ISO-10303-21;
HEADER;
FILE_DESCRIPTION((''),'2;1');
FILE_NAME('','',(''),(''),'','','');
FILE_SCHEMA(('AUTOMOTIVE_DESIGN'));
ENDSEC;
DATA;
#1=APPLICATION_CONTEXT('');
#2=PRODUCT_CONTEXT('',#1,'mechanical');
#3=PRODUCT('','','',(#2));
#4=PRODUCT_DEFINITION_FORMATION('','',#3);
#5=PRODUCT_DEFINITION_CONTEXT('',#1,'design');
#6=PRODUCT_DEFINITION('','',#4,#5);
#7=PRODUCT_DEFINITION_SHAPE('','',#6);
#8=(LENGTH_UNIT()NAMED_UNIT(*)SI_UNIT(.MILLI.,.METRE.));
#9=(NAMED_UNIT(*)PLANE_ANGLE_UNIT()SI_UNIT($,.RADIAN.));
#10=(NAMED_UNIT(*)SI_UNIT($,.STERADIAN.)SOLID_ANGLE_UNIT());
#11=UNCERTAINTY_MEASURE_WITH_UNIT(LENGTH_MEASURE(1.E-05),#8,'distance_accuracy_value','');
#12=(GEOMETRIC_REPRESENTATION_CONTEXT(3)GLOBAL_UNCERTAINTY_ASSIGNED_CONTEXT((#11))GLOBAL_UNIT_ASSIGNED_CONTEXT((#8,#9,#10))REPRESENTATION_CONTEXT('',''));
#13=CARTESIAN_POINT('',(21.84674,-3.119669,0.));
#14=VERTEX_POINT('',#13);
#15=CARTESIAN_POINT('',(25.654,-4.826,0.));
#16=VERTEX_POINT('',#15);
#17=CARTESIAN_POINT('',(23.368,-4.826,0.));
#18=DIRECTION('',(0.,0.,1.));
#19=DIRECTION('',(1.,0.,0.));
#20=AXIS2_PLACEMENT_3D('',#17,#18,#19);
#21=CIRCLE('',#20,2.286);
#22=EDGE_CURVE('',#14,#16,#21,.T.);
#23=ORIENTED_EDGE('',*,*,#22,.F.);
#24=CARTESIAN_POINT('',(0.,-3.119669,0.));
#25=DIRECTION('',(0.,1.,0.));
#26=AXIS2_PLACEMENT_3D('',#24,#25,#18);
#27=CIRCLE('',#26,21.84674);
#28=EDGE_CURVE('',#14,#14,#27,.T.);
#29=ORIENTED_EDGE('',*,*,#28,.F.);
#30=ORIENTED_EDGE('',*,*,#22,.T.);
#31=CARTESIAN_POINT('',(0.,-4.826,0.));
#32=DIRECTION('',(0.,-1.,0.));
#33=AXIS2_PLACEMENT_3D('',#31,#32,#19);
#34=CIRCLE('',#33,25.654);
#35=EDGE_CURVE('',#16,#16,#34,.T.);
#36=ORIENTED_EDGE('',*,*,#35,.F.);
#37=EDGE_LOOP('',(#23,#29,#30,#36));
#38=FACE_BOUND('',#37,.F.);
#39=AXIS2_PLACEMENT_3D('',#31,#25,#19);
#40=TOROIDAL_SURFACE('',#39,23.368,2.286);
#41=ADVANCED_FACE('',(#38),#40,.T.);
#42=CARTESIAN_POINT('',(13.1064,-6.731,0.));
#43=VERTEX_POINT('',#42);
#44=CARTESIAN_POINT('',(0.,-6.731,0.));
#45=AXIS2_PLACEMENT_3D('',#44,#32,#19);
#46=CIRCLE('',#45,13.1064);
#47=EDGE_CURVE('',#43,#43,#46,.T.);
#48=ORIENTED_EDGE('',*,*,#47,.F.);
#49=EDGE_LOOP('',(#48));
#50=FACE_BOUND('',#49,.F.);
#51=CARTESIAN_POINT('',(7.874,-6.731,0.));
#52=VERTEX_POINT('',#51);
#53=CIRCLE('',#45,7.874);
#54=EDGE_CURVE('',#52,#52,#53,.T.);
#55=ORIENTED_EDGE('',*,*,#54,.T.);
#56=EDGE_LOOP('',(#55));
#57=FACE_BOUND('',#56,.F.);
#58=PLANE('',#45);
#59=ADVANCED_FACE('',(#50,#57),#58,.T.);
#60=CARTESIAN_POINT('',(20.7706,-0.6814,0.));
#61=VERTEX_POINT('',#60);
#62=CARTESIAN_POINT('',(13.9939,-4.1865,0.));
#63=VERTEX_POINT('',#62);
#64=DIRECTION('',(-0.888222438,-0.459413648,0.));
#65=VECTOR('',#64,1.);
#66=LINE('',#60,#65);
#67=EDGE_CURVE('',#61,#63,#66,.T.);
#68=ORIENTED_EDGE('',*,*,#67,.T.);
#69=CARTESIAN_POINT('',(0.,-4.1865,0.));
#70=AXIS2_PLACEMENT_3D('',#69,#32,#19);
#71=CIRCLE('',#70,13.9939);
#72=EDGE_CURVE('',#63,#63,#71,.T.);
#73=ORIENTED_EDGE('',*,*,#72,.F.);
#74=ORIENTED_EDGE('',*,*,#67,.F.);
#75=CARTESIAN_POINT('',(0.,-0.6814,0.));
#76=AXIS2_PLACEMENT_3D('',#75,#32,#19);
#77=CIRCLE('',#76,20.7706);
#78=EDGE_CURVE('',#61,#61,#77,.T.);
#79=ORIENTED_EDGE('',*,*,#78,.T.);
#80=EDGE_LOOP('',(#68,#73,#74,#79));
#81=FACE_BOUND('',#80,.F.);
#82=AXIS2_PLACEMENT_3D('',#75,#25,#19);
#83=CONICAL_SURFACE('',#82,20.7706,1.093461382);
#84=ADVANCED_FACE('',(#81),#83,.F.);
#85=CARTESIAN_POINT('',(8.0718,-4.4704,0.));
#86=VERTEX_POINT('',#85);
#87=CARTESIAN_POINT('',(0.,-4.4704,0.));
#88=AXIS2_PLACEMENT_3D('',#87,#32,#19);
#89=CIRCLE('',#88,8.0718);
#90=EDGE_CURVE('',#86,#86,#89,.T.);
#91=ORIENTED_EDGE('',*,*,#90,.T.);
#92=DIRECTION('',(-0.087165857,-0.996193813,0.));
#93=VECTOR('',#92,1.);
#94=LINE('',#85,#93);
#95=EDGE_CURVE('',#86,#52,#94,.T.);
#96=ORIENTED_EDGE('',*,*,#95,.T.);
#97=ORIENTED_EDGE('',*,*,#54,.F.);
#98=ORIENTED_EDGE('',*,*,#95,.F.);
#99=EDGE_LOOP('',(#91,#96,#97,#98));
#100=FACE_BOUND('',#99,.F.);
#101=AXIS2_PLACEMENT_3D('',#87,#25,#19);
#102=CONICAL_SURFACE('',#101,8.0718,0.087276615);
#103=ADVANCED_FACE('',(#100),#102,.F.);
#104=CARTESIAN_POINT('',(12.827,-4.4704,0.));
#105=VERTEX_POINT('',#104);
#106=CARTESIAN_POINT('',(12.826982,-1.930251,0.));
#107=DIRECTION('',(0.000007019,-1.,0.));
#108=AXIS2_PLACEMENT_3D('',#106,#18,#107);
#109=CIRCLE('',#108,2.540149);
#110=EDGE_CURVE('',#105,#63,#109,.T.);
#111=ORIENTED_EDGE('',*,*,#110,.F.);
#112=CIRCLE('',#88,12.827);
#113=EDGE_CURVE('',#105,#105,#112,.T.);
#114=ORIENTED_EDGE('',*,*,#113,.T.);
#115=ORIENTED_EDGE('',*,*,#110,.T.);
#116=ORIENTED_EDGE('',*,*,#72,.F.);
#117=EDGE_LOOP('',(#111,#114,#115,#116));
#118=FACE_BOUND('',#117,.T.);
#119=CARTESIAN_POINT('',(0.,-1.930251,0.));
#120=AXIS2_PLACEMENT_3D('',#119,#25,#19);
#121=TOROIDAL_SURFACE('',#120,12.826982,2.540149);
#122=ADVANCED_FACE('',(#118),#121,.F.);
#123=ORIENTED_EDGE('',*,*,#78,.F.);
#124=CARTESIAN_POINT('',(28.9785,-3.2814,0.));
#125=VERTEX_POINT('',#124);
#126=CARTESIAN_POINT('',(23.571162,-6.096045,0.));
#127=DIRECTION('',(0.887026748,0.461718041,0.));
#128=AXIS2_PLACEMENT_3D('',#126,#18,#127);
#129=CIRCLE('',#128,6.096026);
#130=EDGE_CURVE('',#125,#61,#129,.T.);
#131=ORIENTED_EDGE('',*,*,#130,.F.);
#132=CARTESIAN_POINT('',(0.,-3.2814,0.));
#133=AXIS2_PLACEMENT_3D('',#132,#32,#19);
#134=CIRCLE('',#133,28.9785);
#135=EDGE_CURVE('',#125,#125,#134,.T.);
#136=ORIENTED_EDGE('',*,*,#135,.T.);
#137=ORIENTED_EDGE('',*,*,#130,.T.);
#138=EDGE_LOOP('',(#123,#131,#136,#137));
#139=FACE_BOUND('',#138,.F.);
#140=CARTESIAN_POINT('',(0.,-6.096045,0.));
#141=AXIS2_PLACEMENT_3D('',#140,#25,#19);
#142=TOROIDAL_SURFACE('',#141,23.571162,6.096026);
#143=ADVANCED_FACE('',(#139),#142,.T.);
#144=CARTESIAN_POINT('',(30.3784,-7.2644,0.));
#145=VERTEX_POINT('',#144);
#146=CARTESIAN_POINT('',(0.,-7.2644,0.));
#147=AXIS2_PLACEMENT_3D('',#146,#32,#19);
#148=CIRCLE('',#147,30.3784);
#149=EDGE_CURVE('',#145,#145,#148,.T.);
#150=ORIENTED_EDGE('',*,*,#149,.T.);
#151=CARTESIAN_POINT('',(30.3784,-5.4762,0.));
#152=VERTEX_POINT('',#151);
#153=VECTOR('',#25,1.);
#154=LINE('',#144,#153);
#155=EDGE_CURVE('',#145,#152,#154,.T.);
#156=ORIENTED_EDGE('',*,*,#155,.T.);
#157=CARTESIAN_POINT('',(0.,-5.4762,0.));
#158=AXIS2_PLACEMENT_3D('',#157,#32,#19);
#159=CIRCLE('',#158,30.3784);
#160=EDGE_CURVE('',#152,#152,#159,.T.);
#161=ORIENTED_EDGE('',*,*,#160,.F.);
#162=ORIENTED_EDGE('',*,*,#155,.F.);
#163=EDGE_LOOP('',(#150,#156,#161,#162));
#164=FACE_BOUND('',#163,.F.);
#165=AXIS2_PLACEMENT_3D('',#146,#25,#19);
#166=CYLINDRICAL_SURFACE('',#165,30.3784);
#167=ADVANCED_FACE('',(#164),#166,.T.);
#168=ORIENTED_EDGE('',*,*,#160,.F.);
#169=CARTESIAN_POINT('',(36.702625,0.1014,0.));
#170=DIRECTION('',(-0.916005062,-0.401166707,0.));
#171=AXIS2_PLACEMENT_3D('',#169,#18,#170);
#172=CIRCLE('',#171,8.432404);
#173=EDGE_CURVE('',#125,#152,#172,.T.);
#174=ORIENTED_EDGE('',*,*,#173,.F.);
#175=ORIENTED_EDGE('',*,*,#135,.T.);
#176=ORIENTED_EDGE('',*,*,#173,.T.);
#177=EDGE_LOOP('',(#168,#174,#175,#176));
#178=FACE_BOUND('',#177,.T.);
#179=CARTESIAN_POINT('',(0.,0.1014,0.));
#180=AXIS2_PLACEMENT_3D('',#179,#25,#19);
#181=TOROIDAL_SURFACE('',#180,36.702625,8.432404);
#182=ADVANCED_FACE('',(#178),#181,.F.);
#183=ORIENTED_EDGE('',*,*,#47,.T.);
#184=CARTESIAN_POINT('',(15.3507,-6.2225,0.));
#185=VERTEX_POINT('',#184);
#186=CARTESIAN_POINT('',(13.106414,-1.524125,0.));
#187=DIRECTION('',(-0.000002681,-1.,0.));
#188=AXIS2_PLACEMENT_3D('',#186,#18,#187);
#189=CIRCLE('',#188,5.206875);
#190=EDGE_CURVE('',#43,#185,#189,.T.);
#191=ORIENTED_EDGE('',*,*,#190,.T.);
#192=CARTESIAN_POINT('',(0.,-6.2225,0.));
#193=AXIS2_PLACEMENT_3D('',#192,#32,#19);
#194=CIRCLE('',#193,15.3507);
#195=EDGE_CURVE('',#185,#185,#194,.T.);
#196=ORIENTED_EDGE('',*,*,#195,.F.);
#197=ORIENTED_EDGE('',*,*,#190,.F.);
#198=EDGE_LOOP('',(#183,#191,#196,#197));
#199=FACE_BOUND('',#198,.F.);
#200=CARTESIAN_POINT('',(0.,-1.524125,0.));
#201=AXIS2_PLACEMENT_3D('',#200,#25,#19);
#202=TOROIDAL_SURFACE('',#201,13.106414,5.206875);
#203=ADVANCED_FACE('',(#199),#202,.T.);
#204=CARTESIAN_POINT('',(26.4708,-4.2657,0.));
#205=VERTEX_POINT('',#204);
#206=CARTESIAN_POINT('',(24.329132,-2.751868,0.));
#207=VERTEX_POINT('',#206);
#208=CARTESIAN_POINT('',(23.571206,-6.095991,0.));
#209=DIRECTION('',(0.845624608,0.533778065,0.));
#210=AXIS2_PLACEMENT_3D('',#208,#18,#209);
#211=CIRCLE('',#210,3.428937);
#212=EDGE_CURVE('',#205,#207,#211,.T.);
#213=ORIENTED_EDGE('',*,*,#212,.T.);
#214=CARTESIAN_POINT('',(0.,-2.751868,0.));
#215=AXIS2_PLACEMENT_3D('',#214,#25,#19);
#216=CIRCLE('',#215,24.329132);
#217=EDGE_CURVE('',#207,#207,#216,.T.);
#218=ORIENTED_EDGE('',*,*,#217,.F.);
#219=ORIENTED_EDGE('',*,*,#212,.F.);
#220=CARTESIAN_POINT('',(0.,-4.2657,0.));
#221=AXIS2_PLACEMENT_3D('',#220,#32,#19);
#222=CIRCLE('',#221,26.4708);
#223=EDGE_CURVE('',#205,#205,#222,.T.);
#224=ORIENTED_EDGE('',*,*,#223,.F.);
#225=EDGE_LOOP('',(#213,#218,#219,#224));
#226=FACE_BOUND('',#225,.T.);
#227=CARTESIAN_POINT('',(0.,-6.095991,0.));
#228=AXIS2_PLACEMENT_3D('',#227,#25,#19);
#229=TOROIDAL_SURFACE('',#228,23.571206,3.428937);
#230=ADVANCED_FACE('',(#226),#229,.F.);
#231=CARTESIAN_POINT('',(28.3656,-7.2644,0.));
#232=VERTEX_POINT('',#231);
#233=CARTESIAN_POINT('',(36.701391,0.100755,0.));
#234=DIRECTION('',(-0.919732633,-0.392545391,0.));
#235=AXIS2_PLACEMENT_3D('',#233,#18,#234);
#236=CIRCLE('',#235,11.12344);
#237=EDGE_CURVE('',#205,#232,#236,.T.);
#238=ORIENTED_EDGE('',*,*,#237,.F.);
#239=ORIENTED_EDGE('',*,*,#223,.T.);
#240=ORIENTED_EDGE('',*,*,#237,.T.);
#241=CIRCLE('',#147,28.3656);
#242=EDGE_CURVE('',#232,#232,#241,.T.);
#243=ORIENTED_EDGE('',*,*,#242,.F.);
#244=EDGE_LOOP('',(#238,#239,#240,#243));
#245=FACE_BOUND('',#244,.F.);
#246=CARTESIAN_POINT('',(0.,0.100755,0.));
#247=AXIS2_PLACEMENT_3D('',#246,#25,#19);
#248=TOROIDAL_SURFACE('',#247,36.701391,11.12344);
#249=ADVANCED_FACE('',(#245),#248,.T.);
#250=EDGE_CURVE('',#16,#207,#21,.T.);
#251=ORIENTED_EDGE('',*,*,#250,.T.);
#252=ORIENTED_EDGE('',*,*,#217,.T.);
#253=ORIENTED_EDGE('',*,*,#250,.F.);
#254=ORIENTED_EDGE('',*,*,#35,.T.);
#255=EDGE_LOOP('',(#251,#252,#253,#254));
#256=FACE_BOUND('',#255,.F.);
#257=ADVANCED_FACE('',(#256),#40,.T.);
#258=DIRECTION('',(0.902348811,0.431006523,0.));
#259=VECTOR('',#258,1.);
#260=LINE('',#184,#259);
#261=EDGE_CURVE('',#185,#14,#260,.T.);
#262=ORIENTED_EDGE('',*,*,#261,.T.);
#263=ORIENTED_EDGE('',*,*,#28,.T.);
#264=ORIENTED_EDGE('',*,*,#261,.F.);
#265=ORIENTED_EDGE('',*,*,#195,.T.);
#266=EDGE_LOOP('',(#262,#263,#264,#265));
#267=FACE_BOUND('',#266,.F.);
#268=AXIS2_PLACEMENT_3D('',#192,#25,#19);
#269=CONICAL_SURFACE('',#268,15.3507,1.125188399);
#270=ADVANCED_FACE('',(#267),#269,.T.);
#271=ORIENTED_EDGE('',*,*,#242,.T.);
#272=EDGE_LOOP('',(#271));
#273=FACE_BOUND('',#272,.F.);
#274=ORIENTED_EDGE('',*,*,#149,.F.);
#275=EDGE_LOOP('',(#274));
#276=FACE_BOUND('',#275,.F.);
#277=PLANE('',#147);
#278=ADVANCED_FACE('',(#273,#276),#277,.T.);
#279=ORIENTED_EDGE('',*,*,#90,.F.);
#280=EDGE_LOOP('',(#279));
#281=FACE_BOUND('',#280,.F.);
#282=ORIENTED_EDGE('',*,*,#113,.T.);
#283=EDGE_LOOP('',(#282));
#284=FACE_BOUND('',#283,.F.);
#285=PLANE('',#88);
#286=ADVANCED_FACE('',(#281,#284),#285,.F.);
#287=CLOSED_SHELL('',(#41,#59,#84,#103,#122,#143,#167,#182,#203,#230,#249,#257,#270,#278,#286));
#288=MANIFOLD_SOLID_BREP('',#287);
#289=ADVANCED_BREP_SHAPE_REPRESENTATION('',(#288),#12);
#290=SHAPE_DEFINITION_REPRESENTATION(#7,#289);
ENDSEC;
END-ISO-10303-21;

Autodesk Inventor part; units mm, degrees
sketch "Sketch_1" plane through (0, 0, 0) normal (0, 0, 1) x (1, 0, 0)
  line L0 (0, -6.731) -> (0, 0)
  line L1 (7.874, -6.731) -> (13.1064, -6.731)
  arc A0 (13.1064, -6.731) -> (15.3507, -6.2225) centre (13.1064, -1.524) ccw
  line L2 (15.3507, -6.2225) -> (22.0933, -3.0019)
  arc A1 (26.4708, -4.2657) -> (22.0933, -3.0019) centre (23.5712, -6.096) ccw
  arc A2 (26.4708, -4.2657) -> (28.3656, -7.2644) centre (36.703, 0.1016) ccw
  line L3 (28.3656, -7.2644) -> (30.3784, -7.2644)
  line L4 (30.3784, -7.2644) -> (30.3784, -5.4762)
  arc A3 (28.9785, -3.2814) -> (30.3784, -5.4762) centre (36.703, 0.1016) ccw
  arc A4 (28.9785, -3.2814) -> (20.7706, -0.6814) centre (23.5712, -6.096) ccw
  line L5 (20.7706, -0.6814) -> (13.9939, -4.1865)
  arc A5 (12.827, -4.4704) -> (13.9939, -4.1865) centre (12.827, -1.9304) ccw
  line L6 (12.827, -4.4704) -> (8.0718, -4.4704)
  line L7 (8.0718, -4.4704) -> (7.874, -6.731)
revolve "Revolution1" add sketch "Sketch_1" angle 360 about axis through (0, -6.731, 0) along (0, -1, 0)
sketch "Sketch_2" plane through (0, 0, 0) normal (0, 0, 1) x (1, 0, 0)
  line L0 (0, -12.7) -> (0, 12.7)
  circle A0 centre (23.368, -4.826) radius 2.286
revolve "Revolution2" add sketch "Sketch_2" angle 360 about axis through (0, -12.7, 0) along (0, -1, 0)
ref_plane "to_top_plate_XY" through (0, 0, 0) normal (0, -1, 0) x (1, 0, 0)
ref_plane "to_top_plate_YZ" through (0, 0, 0) normal (1, 0, 0) x (0, 0, 1)
ref_plane "to_top_plate_ZX" through (0, 0, 0) normal (0, 0, 1) x (0, -1, 0)
ref_plane "upper_race_XY" through (0, -6.731, 0) normal (0, 1, 0) x (1, 0, 0)
ref_plane "upper_race_YZ" through (0, -6.731, 0) normal (1, 0, 0) x (0, 0, -1)
ref_plane "upper_race_ZX" through (0, -6.731, 0) normal (0, 0, -1) x (0, 1, 0)
properties part number "2SS-UR"
